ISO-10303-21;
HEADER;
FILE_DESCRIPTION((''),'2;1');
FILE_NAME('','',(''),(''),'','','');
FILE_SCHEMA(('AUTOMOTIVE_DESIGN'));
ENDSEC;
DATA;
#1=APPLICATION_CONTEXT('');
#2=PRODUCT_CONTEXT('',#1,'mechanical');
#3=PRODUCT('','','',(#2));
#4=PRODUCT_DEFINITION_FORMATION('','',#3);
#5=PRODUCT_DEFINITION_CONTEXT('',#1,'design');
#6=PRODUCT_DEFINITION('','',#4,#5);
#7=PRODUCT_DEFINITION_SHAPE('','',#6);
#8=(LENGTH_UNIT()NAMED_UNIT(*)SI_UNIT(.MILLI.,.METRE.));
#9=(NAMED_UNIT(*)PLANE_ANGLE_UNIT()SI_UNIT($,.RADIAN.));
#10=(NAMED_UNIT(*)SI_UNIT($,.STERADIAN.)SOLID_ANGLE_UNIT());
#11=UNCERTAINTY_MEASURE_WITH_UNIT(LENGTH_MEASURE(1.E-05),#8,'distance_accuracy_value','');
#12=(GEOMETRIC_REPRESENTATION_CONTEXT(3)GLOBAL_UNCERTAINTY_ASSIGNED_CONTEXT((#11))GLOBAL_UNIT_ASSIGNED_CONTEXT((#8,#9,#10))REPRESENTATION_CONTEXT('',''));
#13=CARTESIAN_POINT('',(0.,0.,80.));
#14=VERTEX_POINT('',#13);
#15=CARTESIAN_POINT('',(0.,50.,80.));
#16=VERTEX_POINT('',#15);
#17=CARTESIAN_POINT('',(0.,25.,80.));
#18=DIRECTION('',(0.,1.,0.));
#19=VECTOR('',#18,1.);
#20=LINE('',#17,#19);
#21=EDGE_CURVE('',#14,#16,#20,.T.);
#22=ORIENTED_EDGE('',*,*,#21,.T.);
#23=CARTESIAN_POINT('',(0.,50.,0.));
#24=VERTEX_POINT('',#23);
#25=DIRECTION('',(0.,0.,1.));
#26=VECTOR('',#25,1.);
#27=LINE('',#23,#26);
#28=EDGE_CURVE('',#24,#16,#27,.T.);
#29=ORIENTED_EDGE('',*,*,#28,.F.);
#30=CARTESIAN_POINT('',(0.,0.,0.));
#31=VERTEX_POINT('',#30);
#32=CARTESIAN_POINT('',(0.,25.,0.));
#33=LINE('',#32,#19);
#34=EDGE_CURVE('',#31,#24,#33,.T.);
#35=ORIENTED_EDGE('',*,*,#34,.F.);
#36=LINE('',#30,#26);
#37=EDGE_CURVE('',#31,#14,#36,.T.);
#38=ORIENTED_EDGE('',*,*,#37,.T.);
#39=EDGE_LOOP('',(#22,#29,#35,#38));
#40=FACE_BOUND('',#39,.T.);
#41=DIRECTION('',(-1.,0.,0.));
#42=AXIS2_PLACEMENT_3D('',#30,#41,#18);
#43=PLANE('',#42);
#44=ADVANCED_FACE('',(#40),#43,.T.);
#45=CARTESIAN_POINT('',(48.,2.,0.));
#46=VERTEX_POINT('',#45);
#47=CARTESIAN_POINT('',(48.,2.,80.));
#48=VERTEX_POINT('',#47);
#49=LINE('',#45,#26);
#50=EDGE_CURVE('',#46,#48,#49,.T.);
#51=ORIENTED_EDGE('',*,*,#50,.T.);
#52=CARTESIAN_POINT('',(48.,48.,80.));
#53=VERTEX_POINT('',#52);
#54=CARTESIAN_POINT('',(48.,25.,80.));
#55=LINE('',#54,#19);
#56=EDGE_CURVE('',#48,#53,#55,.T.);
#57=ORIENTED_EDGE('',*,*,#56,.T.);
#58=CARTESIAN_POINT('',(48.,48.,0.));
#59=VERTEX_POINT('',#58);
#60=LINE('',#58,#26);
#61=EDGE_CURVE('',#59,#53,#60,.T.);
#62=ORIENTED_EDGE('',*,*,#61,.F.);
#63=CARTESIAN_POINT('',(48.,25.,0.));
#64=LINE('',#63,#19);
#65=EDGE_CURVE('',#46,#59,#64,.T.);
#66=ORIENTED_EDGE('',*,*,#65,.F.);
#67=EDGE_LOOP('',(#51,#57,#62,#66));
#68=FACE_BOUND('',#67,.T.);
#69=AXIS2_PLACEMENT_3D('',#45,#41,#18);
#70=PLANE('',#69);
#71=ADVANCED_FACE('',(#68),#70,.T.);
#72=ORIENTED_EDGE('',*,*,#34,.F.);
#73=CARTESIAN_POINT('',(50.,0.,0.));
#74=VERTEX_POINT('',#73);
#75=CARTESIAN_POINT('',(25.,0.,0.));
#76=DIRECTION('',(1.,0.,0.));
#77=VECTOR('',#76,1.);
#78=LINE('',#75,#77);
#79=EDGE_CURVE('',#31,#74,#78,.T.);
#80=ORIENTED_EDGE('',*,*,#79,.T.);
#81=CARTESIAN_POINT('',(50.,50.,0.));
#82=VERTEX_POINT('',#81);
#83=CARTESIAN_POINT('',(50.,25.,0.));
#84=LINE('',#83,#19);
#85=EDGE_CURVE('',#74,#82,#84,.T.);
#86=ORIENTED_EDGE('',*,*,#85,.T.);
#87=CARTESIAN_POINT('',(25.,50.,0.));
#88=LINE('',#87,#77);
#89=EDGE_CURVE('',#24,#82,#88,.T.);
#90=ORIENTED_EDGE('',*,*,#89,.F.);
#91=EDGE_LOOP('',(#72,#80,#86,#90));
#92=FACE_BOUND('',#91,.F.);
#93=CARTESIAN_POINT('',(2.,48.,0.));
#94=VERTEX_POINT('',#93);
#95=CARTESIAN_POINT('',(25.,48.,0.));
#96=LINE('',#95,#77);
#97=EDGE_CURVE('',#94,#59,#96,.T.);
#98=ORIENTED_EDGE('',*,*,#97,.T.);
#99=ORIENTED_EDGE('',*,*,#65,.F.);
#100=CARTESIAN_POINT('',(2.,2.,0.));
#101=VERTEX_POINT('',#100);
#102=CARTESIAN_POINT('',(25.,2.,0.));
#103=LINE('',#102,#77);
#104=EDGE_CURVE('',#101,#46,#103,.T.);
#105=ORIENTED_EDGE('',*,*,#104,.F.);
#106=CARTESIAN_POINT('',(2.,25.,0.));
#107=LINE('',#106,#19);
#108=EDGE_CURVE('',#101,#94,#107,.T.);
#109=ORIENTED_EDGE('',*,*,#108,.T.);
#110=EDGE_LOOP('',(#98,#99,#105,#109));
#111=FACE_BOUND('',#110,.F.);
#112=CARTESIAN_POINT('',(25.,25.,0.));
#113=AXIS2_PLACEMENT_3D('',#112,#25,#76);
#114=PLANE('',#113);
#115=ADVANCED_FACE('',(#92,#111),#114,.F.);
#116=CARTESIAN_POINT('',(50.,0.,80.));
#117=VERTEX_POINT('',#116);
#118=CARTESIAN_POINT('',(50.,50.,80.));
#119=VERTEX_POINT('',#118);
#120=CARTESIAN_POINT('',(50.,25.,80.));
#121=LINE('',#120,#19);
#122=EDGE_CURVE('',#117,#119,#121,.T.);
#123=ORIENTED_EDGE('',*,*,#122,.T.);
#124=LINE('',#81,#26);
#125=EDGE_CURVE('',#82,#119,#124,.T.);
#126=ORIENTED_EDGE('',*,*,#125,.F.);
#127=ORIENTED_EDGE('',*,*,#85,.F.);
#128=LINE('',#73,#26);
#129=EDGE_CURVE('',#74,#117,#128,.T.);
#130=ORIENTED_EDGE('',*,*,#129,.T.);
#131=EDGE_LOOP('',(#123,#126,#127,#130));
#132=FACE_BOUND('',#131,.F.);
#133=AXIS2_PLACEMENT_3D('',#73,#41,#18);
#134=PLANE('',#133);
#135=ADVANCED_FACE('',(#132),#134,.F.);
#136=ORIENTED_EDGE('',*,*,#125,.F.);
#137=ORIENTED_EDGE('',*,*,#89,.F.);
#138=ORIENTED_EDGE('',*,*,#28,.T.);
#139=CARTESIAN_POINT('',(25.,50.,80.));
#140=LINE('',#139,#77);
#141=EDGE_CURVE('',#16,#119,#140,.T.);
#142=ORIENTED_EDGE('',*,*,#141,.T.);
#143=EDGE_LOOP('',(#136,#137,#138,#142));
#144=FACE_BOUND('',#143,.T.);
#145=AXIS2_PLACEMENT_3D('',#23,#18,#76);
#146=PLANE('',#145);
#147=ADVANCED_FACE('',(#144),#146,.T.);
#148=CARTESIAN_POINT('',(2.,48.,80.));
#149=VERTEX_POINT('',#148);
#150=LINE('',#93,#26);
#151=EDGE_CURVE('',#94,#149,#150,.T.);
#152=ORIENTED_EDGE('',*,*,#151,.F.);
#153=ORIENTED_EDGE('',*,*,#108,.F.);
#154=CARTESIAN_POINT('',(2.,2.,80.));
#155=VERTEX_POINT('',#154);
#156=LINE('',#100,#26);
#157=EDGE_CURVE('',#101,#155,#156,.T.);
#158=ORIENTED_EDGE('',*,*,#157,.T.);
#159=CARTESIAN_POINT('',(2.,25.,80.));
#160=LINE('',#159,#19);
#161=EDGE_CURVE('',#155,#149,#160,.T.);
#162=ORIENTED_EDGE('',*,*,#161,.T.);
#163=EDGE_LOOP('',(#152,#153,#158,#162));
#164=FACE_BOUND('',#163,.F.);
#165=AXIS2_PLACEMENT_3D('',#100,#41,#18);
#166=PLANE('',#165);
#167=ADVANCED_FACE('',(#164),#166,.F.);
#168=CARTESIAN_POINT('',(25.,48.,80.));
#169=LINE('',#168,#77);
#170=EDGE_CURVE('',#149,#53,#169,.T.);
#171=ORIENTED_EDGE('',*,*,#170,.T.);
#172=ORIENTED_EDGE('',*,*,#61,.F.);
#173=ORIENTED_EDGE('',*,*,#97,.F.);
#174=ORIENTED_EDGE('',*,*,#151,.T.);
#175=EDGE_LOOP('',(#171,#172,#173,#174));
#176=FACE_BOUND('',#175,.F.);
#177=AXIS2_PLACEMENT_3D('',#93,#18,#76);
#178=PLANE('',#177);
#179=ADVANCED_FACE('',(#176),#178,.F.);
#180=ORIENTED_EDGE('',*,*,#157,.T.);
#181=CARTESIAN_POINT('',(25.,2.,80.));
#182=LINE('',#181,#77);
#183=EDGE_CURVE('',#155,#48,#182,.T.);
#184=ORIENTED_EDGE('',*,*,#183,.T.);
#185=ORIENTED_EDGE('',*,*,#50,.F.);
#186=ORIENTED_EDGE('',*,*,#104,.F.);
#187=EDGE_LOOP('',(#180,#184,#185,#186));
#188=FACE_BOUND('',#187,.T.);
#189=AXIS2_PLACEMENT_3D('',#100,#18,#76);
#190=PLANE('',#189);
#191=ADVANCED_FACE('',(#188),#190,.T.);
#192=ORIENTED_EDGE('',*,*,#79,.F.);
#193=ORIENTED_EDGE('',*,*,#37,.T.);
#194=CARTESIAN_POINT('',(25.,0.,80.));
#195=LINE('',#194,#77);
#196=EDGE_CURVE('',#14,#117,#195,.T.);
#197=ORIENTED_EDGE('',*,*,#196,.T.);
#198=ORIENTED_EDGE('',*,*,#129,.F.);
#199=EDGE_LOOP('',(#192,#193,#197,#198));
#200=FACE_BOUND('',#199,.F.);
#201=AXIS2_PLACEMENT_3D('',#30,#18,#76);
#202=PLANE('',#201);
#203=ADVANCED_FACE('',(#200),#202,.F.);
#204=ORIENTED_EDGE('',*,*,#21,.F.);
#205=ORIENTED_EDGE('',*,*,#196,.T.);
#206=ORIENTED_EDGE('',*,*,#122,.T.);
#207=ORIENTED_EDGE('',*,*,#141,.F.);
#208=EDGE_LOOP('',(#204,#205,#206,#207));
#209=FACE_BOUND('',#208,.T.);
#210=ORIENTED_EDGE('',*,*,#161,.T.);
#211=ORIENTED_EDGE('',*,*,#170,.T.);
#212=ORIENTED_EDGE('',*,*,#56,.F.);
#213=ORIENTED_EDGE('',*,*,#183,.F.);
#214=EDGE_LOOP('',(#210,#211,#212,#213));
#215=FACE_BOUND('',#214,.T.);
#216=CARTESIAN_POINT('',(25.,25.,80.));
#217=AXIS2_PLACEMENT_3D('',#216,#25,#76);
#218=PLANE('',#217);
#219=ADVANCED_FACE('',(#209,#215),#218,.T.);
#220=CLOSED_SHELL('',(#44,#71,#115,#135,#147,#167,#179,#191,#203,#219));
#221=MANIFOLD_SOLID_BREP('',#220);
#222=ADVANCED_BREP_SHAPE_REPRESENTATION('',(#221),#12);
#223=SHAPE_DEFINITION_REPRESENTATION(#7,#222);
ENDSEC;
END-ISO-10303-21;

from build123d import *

# Parameters (mm, degrees)
BOX001_W     = 46
BOX001_H     = 46
BOX001_DEPTH = 80
BOX_W        = 50
BOX_H        = 50
BOX_DEPTH    = 80


with BuildPart() as cub_resta:
    # Box001 → Box001 (new body)
    with BuildSketch(Plane(origin=(2, 2, 0), x_dir=(1, 0, 0), z_dir=(0, 0, 1))):
        with Locations((23, 23)):
            Rectangle(BOX001_W, BOX001_H)
    extrude(amount=BOX001_DEPTH)


with BuildPart() as portallapis:
    # Box → Box (new body)
    with BuildSketch(Plane.XY):
        with Locations((25, 25)):
            Rectangle(BOX_W, BOX_H)
    extrude(amount=BOX_DEPTH)

    # Cut: cut Cub_resta
    add(cub_resta.part, mode=Mode.SUBTRACT)


solid = portallapis.part
